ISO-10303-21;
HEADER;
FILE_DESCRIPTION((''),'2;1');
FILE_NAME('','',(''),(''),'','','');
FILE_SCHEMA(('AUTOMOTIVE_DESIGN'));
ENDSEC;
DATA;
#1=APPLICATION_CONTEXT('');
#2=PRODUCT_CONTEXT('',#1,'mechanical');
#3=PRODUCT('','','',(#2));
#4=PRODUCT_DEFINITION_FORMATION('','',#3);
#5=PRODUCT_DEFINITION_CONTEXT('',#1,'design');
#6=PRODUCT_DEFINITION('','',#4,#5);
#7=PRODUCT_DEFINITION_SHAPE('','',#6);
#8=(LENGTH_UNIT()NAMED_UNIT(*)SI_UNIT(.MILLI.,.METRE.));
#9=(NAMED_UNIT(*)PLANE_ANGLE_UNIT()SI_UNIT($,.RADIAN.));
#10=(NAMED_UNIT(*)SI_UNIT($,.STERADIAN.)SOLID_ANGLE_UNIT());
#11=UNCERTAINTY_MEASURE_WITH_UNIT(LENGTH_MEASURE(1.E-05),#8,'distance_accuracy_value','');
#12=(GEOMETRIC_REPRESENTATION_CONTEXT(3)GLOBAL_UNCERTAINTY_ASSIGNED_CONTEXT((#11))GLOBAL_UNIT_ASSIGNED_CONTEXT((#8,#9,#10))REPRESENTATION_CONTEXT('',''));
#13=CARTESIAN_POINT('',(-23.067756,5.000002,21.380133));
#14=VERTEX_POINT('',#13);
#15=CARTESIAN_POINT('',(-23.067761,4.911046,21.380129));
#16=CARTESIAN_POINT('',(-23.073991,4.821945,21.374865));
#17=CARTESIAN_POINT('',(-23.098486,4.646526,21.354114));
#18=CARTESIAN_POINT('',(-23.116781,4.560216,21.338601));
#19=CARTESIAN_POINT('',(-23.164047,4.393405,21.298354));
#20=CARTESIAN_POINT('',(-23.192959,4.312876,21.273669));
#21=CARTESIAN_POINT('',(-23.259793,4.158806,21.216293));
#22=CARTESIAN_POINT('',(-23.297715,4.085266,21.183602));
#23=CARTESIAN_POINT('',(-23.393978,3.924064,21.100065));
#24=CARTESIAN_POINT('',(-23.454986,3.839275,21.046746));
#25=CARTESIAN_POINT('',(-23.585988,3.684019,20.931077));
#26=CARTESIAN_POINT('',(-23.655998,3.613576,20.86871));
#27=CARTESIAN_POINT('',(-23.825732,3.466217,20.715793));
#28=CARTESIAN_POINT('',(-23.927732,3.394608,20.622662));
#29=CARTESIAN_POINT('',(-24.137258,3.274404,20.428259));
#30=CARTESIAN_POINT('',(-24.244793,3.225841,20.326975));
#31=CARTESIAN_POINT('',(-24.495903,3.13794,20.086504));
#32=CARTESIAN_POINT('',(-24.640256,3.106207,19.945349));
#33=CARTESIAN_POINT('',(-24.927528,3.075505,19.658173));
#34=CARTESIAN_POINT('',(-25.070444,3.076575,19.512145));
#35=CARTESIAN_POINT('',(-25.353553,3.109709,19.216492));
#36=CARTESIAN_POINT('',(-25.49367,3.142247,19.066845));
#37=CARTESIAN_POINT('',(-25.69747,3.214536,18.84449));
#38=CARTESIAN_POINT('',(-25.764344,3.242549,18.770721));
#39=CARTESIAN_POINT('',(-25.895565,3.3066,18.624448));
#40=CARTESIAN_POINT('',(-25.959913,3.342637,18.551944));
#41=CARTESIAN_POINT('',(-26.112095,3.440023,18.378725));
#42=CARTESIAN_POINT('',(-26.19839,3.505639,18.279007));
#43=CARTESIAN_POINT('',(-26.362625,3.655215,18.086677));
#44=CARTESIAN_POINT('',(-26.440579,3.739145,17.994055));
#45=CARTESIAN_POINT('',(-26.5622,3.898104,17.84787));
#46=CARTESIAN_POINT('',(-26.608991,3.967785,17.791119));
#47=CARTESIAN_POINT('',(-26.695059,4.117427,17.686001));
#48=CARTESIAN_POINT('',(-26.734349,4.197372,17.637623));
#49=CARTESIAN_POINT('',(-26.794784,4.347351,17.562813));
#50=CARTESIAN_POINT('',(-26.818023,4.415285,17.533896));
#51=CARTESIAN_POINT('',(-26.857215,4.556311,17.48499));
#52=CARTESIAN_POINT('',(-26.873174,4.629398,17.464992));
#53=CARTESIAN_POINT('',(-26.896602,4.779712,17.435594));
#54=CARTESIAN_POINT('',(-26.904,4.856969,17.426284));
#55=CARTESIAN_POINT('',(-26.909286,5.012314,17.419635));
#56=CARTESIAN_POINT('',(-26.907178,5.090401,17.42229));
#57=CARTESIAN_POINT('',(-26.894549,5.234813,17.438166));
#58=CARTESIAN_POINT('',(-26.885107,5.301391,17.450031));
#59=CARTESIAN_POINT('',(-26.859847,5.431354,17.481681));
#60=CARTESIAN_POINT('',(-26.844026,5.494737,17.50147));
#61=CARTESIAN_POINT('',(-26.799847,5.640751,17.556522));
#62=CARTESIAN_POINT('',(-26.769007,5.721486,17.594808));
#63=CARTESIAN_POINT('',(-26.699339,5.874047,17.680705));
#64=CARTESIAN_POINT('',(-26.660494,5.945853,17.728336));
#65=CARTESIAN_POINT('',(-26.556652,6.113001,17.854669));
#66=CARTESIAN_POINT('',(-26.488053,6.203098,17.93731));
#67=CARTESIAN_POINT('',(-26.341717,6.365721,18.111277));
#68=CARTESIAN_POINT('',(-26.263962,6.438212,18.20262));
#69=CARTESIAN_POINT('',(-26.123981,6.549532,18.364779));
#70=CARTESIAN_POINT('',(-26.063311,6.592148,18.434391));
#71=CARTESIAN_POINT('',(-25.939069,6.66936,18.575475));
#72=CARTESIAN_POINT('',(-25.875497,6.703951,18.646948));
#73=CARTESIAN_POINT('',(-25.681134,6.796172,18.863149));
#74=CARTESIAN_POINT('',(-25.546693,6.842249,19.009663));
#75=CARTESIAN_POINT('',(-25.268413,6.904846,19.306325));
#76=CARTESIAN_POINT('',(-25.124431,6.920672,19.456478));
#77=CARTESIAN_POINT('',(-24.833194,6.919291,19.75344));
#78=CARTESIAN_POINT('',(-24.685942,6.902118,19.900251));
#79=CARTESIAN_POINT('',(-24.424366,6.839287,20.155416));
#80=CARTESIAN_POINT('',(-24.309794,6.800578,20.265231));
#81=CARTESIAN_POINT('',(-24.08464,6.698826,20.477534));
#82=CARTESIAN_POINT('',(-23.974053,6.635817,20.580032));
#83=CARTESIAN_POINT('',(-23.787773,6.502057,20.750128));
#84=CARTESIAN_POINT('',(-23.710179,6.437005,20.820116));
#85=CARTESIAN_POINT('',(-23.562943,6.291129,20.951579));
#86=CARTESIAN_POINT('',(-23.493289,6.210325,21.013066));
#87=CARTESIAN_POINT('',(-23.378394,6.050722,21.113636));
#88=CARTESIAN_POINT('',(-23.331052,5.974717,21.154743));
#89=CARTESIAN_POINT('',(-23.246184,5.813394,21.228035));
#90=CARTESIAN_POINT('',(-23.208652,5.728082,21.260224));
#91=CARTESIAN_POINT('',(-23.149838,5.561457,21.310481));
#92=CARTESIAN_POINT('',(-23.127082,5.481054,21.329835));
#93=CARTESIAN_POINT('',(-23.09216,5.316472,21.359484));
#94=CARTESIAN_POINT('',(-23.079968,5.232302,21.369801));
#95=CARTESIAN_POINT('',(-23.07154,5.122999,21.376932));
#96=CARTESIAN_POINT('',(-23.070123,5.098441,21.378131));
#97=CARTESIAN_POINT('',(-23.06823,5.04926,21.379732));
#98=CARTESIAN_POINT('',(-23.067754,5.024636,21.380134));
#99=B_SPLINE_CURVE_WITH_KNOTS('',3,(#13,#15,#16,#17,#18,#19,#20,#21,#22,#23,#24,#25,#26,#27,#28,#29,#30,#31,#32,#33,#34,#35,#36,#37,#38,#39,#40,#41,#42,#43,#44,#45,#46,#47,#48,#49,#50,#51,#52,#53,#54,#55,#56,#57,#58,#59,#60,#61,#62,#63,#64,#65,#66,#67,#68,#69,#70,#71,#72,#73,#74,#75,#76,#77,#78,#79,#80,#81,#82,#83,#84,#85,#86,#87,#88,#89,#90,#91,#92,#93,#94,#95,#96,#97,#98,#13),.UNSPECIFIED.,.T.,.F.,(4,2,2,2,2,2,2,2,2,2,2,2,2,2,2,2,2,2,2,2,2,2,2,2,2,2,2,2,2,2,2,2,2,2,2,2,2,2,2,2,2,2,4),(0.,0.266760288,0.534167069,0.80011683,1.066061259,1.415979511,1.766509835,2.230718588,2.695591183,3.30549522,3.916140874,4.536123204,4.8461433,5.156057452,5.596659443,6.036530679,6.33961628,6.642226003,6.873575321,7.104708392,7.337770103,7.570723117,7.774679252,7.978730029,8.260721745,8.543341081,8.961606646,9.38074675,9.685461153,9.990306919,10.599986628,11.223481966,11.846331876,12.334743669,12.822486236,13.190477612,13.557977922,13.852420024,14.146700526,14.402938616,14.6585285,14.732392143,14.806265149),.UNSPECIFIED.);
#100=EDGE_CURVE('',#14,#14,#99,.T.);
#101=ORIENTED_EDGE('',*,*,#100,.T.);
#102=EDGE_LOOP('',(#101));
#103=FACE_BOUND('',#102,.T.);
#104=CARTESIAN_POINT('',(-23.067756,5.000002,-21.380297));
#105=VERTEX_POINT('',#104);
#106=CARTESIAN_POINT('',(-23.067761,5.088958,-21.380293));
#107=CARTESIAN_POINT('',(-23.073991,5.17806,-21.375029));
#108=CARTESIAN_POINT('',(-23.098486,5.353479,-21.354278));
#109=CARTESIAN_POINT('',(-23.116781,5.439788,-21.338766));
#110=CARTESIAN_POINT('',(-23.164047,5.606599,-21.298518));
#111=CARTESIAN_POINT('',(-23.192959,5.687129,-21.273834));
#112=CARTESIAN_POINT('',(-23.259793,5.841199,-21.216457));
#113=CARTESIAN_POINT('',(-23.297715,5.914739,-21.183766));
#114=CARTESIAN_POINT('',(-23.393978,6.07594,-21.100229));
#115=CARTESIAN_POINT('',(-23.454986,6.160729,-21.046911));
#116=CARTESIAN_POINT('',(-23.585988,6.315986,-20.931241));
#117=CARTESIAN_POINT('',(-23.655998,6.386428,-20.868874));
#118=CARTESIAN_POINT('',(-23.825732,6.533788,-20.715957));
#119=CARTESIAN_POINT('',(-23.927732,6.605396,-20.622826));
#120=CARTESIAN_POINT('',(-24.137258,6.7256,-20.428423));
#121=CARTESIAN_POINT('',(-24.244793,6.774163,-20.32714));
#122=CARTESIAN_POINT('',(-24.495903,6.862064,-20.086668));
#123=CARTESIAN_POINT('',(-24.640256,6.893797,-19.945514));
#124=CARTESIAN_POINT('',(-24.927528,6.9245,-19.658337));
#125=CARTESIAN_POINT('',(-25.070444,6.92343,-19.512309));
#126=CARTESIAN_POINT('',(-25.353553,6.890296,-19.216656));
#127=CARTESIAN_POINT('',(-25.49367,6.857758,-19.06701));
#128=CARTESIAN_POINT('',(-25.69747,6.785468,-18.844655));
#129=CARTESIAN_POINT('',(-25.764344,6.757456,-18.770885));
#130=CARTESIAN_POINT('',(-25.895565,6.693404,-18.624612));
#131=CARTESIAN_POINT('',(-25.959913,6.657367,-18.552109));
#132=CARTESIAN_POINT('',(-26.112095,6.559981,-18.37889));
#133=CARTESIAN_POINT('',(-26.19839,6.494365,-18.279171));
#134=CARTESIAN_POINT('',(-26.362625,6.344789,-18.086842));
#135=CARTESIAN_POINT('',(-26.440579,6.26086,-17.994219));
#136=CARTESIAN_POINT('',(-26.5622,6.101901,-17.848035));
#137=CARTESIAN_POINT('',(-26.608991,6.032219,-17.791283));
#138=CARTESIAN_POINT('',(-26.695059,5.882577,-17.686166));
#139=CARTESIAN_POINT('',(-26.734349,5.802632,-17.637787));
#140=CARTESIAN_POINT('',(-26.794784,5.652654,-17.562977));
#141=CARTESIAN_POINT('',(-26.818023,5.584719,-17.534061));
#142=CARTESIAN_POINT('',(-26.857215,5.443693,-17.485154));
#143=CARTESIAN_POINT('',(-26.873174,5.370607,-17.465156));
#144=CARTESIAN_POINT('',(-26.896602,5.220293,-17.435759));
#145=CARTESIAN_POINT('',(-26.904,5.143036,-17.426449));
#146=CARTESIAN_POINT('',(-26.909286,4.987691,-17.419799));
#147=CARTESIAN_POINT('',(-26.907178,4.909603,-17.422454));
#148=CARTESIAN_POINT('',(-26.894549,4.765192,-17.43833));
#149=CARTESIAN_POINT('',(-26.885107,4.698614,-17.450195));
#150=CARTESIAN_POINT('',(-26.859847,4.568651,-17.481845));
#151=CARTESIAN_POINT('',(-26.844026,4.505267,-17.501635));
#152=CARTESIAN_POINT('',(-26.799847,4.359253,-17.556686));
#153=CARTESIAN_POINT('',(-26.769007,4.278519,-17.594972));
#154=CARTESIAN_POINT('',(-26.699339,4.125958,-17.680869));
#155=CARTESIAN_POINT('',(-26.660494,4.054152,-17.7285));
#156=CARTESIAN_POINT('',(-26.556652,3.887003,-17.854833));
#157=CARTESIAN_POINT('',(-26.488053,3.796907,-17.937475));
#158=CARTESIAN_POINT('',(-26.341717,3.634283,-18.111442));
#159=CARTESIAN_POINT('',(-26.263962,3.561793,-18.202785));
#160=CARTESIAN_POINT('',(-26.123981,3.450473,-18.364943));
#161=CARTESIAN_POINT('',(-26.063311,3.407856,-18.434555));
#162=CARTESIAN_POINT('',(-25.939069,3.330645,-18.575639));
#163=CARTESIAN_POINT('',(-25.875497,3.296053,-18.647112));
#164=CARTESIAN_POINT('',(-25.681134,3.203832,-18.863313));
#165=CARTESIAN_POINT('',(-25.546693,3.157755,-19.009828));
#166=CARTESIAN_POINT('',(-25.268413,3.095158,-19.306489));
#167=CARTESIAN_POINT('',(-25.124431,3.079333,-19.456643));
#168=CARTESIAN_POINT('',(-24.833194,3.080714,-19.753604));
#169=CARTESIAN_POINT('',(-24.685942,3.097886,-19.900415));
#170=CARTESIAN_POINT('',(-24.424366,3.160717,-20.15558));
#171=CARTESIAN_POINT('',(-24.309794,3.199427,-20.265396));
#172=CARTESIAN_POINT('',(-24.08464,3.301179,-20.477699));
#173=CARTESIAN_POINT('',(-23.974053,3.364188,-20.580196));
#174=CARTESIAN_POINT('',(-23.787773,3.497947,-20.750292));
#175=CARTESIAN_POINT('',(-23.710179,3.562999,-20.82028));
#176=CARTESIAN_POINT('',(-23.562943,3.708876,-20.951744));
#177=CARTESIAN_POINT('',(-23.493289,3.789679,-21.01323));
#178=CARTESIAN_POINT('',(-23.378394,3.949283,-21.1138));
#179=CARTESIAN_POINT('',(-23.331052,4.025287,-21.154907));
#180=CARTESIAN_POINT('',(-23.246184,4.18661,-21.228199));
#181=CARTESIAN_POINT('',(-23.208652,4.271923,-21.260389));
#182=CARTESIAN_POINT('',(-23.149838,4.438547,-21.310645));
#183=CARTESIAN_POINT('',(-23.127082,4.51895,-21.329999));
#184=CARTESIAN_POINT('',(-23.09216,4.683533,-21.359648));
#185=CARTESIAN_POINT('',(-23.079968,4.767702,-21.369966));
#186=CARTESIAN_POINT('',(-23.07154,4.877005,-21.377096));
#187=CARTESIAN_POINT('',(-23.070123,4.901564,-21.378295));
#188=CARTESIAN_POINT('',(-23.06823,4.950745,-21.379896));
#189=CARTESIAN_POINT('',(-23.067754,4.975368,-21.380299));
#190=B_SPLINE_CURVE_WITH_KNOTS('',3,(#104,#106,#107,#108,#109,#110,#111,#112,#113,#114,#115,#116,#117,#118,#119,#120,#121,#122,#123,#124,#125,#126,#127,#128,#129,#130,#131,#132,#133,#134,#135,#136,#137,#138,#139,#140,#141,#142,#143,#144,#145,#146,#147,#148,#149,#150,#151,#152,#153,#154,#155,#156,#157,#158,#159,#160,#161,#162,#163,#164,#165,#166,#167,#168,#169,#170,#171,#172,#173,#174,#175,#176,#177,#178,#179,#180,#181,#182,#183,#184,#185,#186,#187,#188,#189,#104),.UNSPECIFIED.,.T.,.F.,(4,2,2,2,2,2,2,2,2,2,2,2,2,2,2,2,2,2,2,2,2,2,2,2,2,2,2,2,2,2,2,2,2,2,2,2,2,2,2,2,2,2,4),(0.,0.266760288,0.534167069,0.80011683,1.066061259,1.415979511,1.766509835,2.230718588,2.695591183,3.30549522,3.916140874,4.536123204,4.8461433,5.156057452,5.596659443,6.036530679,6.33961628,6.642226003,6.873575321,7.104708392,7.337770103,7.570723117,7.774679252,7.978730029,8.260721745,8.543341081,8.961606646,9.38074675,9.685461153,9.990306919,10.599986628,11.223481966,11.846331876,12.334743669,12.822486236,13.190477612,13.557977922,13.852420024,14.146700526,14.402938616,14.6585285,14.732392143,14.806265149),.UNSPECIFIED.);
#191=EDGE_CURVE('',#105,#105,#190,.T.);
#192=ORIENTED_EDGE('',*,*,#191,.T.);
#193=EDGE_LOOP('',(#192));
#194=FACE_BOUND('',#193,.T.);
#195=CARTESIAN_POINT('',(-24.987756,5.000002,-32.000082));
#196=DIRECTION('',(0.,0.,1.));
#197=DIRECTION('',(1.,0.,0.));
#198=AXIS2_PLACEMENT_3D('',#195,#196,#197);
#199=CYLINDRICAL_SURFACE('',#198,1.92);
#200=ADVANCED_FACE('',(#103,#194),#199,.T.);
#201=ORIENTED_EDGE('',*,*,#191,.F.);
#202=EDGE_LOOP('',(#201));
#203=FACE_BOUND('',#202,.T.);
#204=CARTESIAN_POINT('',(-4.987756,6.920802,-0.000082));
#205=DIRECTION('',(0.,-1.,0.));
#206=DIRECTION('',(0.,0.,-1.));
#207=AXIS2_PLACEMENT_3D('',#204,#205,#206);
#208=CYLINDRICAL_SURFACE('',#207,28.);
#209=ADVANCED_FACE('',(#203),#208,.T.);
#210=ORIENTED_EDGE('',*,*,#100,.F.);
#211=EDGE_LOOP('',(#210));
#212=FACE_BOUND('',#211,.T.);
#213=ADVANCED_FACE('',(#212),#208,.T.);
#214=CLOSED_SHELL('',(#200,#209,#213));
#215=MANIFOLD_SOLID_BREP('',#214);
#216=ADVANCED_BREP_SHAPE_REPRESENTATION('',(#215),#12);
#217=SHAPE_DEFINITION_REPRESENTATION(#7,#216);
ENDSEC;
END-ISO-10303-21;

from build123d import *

# Parameters (mm, degrees)
BOSS_EXTRUDE1_DEPTH      = 40
BOSS_EXTRUDE1_DEPTH_BACK = 40
SKETCH3_R                = 2.4
CUT_EXTRUDE1_START       = 2.6
SKETCH1_R                = 50
SKETCH1_R_2              = 35
CUT_EXTRUDE1_DEPTH       = 4.8
SCALE1_SCALE             = 0.8


with BuildPart() as part:
    # Sketch3 → Boss-Extrude1 (new, two sides: drawn at the far end of the back side and taken through both)
    with BuildSketch(Plane.XY.offset(-BOSS_EXTRUDE1_DEPTH_BACK)):
        with Locations((-25, 5)):
            Circle(SKETCH3_R)
    extrude(amount=BOSS_EXTRUDE1_DEPTH + BOSS_EXTRUDE1_DEPTH_BACK)

    # Sketch1 → Cut-Extrude1 (cut)
    with BuildSketch(Plane(origin=(0, 0, 0), x_dir=(1, 0, 0), z_dir=(0, 1, 0)).offset(CUT_EXTRUDE1_START)):
        Circle(SKETCH1_R)
        Circle(SKETCH1_R_2, mode=Mode.SUBTRACT)
    extrude(amount=CUT_EXTRUDE1_DEPTH, mode=Mode.SUBTRACT)


with BuildPart() as part_1:
    # Scale1: scaled about (-24.939549166, 4.999999342, -0.000153755)
    add(part.part.scale(SCALE1_SCALE).moved(Location((-4.987909833, 0.999999868, -3.0751e-05))))


solid = part_1.part
